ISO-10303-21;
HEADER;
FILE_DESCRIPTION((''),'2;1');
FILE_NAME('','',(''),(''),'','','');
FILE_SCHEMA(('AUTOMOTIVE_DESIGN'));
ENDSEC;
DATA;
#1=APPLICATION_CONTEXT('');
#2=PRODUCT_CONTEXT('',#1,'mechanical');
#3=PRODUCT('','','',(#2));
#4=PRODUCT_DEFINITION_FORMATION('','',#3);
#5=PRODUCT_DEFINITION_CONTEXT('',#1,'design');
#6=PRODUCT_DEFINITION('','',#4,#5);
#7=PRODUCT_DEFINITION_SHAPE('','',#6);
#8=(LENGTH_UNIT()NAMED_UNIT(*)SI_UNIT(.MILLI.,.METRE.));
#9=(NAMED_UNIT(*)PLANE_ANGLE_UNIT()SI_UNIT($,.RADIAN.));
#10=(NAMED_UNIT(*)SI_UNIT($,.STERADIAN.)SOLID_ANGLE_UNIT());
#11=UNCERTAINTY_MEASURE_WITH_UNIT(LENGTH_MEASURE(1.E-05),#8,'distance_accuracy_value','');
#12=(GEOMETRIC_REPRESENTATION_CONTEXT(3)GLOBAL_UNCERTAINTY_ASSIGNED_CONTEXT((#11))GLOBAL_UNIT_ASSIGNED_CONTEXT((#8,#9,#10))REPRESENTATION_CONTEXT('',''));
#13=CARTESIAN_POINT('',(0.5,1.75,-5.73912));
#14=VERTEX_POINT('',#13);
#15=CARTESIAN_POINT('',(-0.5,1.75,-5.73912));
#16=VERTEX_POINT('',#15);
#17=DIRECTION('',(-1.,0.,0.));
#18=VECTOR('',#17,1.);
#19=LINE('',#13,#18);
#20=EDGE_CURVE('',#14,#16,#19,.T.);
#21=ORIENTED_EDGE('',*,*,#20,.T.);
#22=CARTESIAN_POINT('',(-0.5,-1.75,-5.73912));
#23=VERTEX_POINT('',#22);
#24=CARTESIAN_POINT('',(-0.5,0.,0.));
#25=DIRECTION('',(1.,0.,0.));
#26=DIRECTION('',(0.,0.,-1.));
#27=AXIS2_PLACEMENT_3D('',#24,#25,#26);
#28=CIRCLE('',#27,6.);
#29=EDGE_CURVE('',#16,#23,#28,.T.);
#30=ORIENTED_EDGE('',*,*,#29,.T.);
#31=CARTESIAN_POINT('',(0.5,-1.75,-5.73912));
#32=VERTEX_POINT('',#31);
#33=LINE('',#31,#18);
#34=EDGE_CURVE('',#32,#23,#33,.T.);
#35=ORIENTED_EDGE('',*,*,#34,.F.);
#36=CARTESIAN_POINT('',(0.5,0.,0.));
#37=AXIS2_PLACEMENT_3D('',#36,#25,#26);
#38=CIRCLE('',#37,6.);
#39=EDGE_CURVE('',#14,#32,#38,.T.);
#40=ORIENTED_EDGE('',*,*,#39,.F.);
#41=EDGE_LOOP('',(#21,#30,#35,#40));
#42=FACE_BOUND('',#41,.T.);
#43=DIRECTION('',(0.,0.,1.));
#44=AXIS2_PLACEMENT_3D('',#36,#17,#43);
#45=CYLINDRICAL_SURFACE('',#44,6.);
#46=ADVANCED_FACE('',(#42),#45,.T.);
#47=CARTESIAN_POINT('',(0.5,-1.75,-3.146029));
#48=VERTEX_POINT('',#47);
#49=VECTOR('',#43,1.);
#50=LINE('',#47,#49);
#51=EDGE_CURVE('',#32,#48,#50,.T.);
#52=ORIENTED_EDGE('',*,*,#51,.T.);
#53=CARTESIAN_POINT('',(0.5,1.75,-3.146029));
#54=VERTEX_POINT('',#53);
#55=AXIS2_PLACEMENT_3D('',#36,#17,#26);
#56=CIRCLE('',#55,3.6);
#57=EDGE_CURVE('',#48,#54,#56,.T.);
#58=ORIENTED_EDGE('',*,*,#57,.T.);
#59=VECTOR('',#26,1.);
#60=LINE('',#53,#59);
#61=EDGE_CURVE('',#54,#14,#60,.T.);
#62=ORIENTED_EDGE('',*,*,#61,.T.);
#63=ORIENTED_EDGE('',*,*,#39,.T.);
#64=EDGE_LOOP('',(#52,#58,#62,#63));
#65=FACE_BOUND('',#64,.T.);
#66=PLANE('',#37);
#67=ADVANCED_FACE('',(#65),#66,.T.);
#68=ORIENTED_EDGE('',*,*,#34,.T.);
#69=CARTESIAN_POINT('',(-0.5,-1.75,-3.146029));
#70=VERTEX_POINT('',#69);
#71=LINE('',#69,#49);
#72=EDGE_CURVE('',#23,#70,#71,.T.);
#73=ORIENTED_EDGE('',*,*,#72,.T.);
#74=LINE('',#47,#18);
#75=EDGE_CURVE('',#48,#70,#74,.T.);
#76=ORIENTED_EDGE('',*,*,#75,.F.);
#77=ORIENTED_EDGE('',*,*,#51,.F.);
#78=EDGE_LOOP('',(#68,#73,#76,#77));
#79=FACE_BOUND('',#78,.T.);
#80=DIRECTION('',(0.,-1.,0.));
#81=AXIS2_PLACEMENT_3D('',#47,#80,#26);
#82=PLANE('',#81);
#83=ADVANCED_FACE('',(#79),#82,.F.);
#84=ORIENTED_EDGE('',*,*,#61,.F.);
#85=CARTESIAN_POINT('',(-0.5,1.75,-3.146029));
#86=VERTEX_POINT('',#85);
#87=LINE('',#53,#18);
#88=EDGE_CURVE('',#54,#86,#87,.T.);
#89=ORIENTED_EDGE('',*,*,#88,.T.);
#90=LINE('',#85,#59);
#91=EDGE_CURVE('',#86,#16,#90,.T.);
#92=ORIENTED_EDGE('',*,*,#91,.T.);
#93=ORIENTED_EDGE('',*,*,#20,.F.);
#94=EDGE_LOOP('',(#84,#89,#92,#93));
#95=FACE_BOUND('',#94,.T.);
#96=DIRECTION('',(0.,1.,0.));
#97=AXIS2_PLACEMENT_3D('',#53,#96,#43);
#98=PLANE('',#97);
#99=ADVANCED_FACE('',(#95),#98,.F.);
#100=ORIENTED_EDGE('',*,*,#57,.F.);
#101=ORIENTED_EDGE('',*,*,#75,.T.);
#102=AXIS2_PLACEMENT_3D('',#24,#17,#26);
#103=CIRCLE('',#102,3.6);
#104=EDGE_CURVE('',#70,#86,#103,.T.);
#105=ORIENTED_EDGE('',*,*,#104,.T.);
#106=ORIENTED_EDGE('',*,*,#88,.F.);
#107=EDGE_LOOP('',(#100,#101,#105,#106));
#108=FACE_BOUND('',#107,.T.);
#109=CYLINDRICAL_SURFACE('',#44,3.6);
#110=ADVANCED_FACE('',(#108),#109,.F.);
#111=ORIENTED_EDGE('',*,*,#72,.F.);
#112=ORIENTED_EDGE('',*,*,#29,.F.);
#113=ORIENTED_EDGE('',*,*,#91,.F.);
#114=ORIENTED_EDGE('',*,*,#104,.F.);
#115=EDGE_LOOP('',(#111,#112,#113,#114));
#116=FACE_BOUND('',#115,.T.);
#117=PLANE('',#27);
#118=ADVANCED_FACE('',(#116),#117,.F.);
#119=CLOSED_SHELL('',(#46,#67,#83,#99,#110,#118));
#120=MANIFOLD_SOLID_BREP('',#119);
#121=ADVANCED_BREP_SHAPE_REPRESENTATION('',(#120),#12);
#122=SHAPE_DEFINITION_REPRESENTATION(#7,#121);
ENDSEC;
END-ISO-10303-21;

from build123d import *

# Parameters (mm, degrees)
BOSS_EXTRUDE1_DEPTH = 0.5


with BuildPart() as part:
    # Sketch1 → Boss-Extrude1 (new body, symmetric)
    with BuildSketch(Plane(origin=(0, 0, 0), x_dir=(0, 0, -1), z_dir=(1, 0, 0))):
        with BuildLine():
            Line((3.146029243, 1.75), (5.739120142, 1.75))
            ThreePointArc((5.739120142, 1.75), (-6, 0), (5.739120142, -1.75))
            Line((5.739120142, -1.75), (3.146029243, -1.75))
            ThreePointArc((3.146029243, -1.75), (-3.6, 0), (3.146029243, 1.75))
        make_face()
    extrude(amount=BOSS_EXTRUDE1_DEPTH, both=True)


solid = part.part
